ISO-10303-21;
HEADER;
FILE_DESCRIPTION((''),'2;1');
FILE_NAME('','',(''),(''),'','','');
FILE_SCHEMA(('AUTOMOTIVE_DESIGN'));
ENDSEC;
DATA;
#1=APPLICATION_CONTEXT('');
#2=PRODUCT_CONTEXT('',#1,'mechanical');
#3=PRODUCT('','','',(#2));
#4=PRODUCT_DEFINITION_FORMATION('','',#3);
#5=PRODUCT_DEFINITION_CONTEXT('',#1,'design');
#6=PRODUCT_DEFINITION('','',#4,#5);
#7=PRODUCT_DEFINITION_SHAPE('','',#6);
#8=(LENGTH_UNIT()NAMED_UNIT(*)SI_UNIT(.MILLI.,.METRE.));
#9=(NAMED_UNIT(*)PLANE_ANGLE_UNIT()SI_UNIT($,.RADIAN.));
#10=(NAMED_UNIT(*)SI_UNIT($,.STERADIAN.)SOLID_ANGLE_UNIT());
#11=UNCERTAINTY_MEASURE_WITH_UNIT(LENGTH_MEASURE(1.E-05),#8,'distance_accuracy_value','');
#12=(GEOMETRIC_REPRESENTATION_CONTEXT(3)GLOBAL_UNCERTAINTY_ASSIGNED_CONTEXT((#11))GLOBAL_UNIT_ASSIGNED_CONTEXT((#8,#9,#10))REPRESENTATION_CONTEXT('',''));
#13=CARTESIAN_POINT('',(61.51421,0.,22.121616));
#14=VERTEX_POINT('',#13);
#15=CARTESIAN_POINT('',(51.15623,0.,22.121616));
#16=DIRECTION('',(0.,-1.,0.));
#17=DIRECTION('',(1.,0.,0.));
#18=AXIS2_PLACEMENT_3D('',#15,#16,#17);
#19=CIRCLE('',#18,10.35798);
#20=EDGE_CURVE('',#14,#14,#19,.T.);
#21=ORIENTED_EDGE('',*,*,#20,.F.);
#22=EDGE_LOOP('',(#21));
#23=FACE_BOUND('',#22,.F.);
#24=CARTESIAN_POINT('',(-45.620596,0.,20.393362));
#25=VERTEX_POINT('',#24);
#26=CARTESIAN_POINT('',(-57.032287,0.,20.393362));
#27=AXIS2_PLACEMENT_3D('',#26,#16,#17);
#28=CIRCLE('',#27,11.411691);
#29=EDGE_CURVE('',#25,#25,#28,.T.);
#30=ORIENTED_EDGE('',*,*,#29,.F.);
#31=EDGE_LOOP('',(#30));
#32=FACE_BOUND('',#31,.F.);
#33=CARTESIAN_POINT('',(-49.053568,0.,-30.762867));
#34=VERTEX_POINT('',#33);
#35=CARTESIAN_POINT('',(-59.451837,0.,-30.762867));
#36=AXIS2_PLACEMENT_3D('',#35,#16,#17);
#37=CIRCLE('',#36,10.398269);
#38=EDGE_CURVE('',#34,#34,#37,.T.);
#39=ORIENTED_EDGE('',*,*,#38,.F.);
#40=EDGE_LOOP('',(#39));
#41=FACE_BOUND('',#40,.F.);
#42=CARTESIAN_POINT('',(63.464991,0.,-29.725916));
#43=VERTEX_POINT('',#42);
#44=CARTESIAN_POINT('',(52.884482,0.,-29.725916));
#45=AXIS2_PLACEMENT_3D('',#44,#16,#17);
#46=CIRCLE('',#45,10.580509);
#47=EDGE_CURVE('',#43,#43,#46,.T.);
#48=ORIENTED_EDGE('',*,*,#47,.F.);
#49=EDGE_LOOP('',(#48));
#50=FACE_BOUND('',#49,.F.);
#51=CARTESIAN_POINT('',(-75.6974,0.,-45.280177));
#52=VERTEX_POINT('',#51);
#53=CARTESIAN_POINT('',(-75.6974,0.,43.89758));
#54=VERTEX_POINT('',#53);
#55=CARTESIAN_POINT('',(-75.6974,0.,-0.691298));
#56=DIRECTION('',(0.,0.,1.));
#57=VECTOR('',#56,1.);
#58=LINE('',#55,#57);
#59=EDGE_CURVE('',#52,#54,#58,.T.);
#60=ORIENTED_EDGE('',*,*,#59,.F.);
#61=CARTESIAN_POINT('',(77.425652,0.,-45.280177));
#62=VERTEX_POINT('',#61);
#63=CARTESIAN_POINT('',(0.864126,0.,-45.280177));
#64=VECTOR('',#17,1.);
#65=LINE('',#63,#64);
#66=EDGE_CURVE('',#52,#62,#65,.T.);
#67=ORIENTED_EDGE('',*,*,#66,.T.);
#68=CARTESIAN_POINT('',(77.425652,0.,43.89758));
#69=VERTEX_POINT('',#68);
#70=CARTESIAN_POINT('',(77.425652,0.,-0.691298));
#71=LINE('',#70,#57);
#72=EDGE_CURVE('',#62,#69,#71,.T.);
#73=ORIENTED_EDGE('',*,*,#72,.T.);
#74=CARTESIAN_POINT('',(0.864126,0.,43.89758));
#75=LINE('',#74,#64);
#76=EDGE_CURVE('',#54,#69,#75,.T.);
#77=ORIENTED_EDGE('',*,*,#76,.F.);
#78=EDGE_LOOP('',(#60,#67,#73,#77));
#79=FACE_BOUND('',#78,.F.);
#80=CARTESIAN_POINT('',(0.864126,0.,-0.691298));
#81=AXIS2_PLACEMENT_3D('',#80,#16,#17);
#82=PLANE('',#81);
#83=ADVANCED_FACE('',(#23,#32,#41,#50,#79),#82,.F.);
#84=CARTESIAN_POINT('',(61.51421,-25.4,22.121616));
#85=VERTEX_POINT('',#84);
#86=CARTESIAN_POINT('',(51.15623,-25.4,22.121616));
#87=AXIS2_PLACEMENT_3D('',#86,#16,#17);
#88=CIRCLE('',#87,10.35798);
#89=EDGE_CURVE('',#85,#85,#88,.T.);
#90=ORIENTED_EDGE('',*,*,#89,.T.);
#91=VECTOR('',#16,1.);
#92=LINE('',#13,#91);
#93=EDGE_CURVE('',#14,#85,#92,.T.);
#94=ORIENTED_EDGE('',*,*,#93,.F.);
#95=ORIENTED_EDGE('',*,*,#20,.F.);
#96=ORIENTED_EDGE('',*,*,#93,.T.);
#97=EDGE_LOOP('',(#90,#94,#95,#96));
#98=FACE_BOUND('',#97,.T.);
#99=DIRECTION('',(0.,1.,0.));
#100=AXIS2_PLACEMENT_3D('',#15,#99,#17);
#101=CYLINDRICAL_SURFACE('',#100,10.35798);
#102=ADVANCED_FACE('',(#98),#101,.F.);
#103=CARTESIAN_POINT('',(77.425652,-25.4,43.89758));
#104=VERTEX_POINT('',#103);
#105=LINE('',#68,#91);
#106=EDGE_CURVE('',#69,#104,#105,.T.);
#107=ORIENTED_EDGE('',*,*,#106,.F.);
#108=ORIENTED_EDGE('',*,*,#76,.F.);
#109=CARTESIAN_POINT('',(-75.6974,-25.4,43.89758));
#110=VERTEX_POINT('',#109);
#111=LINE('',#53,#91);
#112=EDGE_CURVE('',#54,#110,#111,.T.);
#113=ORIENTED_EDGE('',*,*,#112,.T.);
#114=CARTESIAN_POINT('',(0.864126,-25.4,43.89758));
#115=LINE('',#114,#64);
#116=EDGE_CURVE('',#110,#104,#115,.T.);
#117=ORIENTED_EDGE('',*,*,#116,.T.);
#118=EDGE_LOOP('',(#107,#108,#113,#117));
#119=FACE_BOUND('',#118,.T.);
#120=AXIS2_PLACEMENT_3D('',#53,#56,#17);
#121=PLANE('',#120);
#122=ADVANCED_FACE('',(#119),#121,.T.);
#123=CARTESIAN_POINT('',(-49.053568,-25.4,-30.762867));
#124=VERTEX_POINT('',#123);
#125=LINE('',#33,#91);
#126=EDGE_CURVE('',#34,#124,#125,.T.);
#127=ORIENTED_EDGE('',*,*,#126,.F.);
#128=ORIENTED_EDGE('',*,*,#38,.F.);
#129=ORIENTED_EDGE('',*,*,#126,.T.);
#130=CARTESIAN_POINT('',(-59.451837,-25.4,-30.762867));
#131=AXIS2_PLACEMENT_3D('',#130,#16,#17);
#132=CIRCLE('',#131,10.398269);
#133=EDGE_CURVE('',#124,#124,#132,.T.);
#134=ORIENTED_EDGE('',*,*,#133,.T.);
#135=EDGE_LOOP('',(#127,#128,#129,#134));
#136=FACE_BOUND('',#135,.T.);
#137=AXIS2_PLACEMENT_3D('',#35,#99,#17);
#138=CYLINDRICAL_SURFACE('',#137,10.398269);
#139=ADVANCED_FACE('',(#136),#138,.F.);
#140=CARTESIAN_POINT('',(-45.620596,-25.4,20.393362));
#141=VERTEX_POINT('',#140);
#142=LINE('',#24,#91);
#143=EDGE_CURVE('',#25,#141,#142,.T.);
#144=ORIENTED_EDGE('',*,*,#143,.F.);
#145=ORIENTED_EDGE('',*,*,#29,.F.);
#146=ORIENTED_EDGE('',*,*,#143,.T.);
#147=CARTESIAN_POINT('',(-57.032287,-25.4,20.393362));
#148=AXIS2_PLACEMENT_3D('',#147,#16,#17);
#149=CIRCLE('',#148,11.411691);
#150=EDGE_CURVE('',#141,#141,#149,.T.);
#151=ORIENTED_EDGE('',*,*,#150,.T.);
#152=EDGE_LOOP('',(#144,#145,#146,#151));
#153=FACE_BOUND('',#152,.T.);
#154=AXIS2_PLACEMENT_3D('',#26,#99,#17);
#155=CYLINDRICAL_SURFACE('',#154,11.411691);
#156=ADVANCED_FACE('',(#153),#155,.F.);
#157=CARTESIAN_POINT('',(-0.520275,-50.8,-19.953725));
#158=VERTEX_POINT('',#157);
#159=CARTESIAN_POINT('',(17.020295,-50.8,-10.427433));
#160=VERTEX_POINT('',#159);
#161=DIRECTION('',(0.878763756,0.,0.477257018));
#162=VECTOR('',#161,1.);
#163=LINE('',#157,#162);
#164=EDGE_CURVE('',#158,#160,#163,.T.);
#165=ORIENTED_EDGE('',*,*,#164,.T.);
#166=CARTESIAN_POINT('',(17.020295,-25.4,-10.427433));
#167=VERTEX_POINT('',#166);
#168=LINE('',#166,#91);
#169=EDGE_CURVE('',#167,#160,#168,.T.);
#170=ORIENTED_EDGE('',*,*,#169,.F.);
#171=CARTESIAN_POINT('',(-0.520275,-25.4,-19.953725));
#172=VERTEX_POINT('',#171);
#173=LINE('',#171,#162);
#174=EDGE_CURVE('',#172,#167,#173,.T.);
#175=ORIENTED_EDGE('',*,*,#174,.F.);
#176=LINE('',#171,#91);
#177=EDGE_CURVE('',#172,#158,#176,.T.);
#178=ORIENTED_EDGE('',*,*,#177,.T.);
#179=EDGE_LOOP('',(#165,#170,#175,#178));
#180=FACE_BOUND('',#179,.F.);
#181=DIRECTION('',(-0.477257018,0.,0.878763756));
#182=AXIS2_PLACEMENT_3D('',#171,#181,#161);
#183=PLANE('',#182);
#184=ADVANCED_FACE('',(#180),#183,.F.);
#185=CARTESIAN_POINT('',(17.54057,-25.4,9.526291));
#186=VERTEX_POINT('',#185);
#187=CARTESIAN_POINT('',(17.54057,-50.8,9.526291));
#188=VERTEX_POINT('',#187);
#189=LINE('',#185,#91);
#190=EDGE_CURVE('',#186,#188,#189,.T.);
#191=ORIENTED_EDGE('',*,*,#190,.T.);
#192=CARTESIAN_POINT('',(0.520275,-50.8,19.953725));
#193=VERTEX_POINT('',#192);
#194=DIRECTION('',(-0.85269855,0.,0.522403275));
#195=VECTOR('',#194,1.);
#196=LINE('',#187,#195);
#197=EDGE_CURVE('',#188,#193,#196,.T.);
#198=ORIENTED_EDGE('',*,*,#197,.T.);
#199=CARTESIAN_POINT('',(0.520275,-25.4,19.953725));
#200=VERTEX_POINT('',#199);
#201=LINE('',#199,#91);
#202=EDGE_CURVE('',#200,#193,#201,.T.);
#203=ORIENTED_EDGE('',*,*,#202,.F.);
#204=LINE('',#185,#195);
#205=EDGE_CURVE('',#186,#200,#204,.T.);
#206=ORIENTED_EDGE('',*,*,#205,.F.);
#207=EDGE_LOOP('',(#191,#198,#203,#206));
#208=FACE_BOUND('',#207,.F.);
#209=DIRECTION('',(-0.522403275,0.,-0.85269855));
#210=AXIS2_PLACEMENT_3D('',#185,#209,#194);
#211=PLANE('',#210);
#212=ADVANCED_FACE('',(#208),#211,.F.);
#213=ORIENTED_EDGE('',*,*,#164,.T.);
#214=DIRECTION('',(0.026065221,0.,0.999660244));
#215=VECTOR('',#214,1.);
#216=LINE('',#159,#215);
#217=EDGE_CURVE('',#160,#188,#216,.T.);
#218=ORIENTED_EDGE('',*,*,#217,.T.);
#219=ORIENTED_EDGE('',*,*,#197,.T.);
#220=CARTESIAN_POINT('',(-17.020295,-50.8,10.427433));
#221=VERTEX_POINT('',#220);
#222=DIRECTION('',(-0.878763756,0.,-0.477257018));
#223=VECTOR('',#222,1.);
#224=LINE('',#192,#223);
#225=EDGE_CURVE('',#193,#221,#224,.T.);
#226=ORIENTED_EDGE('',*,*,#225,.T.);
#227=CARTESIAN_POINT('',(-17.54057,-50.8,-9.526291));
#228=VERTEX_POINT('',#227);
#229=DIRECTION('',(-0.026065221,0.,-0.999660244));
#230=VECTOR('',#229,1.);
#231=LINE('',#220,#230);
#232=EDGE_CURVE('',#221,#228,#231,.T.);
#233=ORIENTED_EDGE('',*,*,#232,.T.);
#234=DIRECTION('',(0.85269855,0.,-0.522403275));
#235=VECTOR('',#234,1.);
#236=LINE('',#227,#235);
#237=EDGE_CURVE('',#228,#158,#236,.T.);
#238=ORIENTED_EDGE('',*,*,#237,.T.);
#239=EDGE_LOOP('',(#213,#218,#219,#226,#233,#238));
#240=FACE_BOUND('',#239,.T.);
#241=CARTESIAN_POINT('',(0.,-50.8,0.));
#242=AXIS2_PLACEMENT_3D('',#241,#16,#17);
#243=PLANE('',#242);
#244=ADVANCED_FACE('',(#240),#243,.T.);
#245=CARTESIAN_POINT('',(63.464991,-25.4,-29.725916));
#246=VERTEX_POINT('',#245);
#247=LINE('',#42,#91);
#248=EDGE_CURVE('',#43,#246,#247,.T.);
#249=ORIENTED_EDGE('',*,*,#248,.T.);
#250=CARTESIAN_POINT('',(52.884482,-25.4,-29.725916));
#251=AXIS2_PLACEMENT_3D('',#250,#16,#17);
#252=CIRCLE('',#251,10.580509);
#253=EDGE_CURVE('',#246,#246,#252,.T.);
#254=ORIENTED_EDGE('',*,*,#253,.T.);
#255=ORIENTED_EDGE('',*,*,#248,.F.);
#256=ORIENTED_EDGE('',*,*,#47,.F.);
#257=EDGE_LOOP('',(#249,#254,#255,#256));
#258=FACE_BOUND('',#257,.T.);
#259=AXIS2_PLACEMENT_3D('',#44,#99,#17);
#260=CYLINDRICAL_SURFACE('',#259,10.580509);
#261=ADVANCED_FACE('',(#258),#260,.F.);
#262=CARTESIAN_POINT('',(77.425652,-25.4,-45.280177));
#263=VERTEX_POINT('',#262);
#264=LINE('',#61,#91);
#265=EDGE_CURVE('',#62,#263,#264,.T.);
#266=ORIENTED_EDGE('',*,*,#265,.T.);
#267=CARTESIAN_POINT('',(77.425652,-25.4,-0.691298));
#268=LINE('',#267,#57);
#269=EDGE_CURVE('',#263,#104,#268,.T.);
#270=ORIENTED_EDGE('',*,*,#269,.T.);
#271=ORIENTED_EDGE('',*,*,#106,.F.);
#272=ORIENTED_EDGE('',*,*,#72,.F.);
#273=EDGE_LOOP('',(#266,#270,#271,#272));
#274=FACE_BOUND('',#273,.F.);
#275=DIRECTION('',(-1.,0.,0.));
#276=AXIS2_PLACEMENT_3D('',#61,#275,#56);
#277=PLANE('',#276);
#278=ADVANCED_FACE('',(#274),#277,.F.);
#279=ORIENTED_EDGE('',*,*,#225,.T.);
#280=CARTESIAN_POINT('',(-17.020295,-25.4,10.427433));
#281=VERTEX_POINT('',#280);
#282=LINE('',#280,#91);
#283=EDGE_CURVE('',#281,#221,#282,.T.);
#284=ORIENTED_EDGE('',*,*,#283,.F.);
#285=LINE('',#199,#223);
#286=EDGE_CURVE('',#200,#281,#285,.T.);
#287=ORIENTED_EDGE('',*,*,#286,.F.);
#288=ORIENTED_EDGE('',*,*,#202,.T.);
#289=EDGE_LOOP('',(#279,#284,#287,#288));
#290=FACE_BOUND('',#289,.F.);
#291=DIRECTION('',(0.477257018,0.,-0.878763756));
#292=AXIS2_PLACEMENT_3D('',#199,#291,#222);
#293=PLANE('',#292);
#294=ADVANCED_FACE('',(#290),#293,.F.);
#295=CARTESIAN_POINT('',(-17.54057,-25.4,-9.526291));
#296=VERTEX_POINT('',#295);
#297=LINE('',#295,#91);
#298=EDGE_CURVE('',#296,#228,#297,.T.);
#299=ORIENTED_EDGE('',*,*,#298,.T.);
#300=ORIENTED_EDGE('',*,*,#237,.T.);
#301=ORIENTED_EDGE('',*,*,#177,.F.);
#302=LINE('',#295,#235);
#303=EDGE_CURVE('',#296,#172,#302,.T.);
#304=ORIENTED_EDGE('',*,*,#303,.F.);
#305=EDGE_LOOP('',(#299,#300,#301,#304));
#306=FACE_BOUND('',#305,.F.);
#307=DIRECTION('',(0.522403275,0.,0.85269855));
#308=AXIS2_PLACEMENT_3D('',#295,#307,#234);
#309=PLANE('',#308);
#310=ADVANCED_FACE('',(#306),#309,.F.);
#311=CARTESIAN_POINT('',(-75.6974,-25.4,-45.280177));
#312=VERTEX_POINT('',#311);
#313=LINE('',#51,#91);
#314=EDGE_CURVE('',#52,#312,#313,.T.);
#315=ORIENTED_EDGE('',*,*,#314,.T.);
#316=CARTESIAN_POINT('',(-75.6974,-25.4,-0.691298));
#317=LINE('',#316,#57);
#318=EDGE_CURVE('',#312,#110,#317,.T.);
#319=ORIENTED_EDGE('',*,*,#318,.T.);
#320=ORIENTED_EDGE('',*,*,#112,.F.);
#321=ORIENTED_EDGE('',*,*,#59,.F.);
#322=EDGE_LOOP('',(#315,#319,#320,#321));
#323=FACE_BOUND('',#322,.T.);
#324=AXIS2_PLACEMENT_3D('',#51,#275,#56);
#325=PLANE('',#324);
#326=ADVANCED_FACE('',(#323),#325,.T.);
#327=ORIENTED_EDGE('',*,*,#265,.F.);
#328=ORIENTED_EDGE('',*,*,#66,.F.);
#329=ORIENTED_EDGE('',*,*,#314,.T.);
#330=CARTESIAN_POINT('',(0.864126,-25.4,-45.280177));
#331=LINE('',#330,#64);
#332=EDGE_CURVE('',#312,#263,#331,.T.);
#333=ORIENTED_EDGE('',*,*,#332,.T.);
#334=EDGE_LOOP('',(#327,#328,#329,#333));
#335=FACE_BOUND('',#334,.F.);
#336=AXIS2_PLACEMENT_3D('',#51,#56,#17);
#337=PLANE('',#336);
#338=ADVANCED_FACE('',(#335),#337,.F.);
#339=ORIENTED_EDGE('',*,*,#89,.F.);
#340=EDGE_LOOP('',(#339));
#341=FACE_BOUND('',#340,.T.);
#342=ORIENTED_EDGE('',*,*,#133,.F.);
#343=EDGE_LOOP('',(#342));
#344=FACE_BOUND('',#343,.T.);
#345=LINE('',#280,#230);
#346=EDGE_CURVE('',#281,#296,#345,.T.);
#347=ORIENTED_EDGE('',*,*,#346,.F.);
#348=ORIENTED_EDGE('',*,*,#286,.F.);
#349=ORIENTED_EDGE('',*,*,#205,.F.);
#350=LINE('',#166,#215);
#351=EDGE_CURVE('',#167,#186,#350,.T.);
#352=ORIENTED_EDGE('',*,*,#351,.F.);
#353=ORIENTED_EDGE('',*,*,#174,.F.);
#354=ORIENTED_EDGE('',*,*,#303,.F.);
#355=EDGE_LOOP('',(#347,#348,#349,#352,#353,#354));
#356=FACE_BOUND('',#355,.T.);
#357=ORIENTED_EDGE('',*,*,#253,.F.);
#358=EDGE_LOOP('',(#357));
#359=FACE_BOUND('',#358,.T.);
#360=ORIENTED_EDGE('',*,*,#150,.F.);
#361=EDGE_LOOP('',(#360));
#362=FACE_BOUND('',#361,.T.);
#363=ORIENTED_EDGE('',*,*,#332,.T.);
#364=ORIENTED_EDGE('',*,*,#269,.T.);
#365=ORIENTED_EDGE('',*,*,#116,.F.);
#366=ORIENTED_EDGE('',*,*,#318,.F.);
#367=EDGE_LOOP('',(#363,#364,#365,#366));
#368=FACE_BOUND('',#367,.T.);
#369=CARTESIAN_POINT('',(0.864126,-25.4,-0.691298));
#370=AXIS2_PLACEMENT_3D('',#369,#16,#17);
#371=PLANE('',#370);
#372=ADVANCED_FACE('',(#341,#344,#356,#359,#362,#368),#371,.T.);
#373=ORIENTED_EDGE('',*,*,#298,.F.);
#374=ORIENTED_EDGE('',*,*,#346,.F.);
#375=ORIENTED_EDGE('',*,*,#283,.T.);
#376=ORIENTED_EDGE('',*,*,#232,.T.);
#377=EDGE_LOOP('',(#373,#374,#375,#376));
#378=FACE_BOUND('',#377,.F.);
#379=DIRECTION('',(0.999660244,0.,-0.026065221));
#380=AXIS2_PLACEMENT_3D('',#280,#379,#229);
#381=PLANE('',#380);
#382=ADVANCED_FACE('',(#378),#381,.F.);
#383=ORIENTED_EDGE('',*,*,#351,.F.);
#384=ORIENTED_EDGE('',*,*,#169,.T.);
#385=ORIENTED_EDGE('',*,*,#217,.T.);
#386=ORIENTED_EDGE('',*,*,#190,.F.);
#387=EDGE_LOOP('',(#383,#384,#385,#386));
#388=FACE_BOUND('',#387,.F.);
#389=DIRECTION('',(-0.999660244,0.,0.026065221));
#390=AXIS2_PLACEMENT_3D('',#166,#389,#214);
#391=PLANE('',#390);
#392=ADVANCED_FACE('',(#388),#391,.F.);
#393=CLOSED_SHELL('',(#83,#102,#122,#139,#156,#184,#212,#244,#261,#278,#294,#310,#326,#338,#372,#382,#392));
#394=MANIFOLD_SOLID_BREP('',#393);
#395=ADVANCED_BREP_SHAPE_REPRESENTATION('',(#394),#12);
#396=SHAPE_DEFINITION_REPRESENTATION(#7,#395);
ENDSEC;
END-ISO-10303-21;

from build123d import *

# Parameters (mm, degrees)
F0_W     = 153.123051
F0_H     = 89.177757
F0_R     = 10.398269
F0_R_2   = 10.580509
F0_R_3   = 11.411691
F0_R_4   = 10.35798
F1_DEPTH = 25.4
F3_DEPTH = 25.4


with BuildPart() as f1:
    # F0 (on Front) → F1 (new body)
    with BuildSketch(Plane.XZ):
        with Locations((0.864126, -0.691298)):
            Rectangle(F0_W, F0_H)
        with Locations((-59.451837, -30.762867)):
            Circle(F0_R, mode=Mode.SUBTRACT)
        with Locations((52.884482, -29.725916)):
            Circle(F0_R_2, mode=Mode.SUBTRACT)
        with Locations((-57.032287, 20.393362)):
            Circle(F0_R_3, mode=Mode.SUBTRACT)
        with Locations((51.15623, 22.121616)):
            Circle(F0_R_4, mode=Mode.SUBTRACT)
    extrude(amount=F1_DEPTH)

    # F2 (on face) → F3 (join)
    with BuildSketch(Plane.XZ.offset(25.4)):
        Polygon((17.54057, 9.526291), (0.520275, 19.953725), (-17.020295, 10.427433), (-17.54057, -9.526291), (-0.520275, -19.953725), (17.020295, -10.427433), align=None)
    extrude(amount=F3_DEPTH)


solid = f1.part
